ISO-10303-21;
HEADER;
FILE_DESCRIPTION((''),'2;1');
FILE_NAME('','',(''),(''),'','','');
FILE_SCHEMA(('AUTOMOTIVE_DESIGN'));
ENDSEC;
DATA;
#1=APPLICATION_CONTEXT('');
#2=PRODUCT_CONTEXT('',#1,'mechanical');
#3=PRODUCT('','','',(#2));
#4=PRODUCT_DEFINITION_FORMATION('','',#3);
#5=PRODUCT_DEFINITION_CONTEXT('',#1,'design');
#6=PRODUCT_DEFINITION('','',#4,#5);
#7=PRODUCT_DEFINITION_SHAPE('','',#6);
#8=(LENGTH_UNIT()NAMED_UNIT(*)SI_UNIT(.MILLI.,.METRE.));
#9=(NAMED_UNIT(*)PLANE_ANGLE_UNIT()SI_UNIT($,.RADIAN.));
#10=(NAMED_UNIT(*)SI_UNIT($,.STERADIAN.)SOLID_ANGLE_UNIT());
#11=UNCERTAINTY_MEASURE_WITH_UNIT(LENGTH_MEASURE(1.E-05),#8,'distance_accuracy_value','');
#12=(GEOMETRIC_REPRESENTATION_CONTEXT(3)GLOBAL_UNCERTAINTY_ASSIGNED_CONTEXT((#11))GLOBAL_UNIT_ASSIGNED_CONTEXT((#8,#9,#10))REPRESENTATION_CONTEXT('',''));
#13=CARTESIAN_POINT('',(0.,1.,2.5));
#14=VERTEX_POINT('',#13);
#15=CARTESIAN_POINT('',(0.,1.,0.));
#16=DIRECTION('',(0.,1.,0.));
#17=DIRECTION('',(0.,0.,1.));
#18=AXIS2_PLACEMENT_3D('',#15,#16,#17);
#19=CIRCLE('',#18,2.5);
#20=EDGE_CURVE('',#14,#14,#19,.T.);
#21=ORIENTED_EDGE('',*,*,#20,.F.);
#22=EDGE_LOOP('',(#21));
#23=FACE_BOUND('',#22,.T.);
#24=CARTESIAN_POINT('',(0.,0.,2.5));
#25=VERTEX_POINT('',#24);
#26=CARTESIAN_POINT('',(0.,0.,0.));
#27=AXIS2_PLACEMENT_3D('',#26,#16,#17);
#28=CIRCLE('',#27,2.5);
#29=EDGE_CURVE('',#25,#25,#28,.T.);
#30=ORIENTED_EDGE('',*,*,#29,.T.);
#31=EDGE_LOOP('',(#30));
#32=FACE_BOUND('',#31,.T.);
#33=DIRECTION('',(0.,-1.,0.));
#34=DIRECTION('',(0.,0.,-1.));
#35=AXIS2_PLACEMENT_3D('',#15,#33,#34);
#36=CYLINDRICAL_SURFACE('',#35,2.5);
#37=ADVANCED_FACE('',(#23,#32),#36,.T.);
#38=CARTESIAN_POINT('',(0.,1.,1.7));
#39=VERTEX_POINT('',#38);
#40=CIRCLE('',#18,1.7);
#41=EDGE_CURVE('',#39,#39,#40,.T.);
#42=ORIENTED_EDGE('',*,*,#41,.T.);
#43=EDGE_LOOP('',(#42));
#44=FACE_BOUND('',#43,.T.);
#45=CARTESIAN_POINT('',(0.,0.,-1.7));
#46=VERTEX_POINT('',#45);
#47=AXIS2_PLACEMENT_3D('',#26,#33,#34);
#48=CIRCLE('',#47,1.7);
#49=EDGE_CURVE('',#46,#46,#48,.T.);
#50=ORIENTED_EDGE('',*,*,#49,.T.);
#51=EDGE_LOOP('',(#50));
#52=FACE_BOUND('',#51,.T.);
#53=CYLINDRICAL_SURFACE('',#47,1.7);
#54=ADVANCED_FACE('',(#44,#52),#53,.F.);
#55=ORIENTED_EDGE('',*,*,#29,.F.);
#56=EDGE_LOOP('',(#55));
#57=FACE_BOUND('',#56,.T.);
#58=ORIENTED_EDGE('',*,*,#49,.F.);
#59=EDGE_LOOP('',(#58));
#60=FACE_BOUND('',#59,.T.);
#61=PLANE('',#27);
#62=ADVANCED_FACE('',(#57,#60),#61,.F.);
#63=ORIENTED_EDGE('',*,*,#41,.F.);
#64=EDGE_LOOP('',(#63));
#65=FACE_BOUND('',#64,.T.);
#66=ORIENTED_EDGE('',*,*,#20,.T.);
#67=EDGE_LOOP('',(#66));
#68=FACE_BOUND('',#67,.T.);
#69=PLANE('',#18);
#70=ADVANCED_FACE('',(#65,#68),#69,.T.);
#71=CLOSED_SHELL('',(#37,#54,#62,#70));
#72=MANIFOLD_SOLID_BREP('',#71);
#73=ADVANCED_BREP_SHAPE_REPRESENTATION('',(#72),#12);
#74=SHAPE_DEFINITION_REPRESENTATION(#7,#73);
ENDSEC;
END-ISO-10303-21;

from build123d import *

# Parameters (mm, degrees)
SKETCH1_R                = 2.5
BOSS_EXTRUDE1_DEPTH      = 1
M3_CLEARANCE_HOLE1_D     = 3.4
M3_CLEARANCE_HOLE1_DEPTH = 10
M3_CLEARANCE_HOLE1_TIP   = 1.021463052


with BuildPart() as part:
    # Sketch1 → Boss-Extrude1 (new body)
    with BuildSketch(Plane(origin=(0, 0, 0), x_dir=(1, 0, 0), z_dir=(0, 1, 0))):
        with Locations(Location((0, 0, 0), (0, 0, 270))):
            Circle(SKETCH1_R)
    extrude(amount=BOSS_EXTRUDE1_DEPTH)

    # M3 Clearance Hole1
    with Locations(Plane(origin=(0, 0, 0), x_dir=(-1, 0, 0), z_dir=(0, -1, 0))):
        with Locations((0, 0)):
            Hole(M3_CLEARANCE_HOLE1_D / 2, depth=M3_CLEARANCE_HOLE1_DEPTH)
            with Locations((0, 0, -(M3_CLEARANCE_HOLE1_DEPTH + M3_CLEARANCE_HOLE1_TIP / 2))):  # 118° drill point
                Cone(0, M3_CLEARANCE_HOLE1_D / 2, M3_CLEARANCE_HOLE1_TIP, mode=Mode.SUBTRACT)


solid = part.part
